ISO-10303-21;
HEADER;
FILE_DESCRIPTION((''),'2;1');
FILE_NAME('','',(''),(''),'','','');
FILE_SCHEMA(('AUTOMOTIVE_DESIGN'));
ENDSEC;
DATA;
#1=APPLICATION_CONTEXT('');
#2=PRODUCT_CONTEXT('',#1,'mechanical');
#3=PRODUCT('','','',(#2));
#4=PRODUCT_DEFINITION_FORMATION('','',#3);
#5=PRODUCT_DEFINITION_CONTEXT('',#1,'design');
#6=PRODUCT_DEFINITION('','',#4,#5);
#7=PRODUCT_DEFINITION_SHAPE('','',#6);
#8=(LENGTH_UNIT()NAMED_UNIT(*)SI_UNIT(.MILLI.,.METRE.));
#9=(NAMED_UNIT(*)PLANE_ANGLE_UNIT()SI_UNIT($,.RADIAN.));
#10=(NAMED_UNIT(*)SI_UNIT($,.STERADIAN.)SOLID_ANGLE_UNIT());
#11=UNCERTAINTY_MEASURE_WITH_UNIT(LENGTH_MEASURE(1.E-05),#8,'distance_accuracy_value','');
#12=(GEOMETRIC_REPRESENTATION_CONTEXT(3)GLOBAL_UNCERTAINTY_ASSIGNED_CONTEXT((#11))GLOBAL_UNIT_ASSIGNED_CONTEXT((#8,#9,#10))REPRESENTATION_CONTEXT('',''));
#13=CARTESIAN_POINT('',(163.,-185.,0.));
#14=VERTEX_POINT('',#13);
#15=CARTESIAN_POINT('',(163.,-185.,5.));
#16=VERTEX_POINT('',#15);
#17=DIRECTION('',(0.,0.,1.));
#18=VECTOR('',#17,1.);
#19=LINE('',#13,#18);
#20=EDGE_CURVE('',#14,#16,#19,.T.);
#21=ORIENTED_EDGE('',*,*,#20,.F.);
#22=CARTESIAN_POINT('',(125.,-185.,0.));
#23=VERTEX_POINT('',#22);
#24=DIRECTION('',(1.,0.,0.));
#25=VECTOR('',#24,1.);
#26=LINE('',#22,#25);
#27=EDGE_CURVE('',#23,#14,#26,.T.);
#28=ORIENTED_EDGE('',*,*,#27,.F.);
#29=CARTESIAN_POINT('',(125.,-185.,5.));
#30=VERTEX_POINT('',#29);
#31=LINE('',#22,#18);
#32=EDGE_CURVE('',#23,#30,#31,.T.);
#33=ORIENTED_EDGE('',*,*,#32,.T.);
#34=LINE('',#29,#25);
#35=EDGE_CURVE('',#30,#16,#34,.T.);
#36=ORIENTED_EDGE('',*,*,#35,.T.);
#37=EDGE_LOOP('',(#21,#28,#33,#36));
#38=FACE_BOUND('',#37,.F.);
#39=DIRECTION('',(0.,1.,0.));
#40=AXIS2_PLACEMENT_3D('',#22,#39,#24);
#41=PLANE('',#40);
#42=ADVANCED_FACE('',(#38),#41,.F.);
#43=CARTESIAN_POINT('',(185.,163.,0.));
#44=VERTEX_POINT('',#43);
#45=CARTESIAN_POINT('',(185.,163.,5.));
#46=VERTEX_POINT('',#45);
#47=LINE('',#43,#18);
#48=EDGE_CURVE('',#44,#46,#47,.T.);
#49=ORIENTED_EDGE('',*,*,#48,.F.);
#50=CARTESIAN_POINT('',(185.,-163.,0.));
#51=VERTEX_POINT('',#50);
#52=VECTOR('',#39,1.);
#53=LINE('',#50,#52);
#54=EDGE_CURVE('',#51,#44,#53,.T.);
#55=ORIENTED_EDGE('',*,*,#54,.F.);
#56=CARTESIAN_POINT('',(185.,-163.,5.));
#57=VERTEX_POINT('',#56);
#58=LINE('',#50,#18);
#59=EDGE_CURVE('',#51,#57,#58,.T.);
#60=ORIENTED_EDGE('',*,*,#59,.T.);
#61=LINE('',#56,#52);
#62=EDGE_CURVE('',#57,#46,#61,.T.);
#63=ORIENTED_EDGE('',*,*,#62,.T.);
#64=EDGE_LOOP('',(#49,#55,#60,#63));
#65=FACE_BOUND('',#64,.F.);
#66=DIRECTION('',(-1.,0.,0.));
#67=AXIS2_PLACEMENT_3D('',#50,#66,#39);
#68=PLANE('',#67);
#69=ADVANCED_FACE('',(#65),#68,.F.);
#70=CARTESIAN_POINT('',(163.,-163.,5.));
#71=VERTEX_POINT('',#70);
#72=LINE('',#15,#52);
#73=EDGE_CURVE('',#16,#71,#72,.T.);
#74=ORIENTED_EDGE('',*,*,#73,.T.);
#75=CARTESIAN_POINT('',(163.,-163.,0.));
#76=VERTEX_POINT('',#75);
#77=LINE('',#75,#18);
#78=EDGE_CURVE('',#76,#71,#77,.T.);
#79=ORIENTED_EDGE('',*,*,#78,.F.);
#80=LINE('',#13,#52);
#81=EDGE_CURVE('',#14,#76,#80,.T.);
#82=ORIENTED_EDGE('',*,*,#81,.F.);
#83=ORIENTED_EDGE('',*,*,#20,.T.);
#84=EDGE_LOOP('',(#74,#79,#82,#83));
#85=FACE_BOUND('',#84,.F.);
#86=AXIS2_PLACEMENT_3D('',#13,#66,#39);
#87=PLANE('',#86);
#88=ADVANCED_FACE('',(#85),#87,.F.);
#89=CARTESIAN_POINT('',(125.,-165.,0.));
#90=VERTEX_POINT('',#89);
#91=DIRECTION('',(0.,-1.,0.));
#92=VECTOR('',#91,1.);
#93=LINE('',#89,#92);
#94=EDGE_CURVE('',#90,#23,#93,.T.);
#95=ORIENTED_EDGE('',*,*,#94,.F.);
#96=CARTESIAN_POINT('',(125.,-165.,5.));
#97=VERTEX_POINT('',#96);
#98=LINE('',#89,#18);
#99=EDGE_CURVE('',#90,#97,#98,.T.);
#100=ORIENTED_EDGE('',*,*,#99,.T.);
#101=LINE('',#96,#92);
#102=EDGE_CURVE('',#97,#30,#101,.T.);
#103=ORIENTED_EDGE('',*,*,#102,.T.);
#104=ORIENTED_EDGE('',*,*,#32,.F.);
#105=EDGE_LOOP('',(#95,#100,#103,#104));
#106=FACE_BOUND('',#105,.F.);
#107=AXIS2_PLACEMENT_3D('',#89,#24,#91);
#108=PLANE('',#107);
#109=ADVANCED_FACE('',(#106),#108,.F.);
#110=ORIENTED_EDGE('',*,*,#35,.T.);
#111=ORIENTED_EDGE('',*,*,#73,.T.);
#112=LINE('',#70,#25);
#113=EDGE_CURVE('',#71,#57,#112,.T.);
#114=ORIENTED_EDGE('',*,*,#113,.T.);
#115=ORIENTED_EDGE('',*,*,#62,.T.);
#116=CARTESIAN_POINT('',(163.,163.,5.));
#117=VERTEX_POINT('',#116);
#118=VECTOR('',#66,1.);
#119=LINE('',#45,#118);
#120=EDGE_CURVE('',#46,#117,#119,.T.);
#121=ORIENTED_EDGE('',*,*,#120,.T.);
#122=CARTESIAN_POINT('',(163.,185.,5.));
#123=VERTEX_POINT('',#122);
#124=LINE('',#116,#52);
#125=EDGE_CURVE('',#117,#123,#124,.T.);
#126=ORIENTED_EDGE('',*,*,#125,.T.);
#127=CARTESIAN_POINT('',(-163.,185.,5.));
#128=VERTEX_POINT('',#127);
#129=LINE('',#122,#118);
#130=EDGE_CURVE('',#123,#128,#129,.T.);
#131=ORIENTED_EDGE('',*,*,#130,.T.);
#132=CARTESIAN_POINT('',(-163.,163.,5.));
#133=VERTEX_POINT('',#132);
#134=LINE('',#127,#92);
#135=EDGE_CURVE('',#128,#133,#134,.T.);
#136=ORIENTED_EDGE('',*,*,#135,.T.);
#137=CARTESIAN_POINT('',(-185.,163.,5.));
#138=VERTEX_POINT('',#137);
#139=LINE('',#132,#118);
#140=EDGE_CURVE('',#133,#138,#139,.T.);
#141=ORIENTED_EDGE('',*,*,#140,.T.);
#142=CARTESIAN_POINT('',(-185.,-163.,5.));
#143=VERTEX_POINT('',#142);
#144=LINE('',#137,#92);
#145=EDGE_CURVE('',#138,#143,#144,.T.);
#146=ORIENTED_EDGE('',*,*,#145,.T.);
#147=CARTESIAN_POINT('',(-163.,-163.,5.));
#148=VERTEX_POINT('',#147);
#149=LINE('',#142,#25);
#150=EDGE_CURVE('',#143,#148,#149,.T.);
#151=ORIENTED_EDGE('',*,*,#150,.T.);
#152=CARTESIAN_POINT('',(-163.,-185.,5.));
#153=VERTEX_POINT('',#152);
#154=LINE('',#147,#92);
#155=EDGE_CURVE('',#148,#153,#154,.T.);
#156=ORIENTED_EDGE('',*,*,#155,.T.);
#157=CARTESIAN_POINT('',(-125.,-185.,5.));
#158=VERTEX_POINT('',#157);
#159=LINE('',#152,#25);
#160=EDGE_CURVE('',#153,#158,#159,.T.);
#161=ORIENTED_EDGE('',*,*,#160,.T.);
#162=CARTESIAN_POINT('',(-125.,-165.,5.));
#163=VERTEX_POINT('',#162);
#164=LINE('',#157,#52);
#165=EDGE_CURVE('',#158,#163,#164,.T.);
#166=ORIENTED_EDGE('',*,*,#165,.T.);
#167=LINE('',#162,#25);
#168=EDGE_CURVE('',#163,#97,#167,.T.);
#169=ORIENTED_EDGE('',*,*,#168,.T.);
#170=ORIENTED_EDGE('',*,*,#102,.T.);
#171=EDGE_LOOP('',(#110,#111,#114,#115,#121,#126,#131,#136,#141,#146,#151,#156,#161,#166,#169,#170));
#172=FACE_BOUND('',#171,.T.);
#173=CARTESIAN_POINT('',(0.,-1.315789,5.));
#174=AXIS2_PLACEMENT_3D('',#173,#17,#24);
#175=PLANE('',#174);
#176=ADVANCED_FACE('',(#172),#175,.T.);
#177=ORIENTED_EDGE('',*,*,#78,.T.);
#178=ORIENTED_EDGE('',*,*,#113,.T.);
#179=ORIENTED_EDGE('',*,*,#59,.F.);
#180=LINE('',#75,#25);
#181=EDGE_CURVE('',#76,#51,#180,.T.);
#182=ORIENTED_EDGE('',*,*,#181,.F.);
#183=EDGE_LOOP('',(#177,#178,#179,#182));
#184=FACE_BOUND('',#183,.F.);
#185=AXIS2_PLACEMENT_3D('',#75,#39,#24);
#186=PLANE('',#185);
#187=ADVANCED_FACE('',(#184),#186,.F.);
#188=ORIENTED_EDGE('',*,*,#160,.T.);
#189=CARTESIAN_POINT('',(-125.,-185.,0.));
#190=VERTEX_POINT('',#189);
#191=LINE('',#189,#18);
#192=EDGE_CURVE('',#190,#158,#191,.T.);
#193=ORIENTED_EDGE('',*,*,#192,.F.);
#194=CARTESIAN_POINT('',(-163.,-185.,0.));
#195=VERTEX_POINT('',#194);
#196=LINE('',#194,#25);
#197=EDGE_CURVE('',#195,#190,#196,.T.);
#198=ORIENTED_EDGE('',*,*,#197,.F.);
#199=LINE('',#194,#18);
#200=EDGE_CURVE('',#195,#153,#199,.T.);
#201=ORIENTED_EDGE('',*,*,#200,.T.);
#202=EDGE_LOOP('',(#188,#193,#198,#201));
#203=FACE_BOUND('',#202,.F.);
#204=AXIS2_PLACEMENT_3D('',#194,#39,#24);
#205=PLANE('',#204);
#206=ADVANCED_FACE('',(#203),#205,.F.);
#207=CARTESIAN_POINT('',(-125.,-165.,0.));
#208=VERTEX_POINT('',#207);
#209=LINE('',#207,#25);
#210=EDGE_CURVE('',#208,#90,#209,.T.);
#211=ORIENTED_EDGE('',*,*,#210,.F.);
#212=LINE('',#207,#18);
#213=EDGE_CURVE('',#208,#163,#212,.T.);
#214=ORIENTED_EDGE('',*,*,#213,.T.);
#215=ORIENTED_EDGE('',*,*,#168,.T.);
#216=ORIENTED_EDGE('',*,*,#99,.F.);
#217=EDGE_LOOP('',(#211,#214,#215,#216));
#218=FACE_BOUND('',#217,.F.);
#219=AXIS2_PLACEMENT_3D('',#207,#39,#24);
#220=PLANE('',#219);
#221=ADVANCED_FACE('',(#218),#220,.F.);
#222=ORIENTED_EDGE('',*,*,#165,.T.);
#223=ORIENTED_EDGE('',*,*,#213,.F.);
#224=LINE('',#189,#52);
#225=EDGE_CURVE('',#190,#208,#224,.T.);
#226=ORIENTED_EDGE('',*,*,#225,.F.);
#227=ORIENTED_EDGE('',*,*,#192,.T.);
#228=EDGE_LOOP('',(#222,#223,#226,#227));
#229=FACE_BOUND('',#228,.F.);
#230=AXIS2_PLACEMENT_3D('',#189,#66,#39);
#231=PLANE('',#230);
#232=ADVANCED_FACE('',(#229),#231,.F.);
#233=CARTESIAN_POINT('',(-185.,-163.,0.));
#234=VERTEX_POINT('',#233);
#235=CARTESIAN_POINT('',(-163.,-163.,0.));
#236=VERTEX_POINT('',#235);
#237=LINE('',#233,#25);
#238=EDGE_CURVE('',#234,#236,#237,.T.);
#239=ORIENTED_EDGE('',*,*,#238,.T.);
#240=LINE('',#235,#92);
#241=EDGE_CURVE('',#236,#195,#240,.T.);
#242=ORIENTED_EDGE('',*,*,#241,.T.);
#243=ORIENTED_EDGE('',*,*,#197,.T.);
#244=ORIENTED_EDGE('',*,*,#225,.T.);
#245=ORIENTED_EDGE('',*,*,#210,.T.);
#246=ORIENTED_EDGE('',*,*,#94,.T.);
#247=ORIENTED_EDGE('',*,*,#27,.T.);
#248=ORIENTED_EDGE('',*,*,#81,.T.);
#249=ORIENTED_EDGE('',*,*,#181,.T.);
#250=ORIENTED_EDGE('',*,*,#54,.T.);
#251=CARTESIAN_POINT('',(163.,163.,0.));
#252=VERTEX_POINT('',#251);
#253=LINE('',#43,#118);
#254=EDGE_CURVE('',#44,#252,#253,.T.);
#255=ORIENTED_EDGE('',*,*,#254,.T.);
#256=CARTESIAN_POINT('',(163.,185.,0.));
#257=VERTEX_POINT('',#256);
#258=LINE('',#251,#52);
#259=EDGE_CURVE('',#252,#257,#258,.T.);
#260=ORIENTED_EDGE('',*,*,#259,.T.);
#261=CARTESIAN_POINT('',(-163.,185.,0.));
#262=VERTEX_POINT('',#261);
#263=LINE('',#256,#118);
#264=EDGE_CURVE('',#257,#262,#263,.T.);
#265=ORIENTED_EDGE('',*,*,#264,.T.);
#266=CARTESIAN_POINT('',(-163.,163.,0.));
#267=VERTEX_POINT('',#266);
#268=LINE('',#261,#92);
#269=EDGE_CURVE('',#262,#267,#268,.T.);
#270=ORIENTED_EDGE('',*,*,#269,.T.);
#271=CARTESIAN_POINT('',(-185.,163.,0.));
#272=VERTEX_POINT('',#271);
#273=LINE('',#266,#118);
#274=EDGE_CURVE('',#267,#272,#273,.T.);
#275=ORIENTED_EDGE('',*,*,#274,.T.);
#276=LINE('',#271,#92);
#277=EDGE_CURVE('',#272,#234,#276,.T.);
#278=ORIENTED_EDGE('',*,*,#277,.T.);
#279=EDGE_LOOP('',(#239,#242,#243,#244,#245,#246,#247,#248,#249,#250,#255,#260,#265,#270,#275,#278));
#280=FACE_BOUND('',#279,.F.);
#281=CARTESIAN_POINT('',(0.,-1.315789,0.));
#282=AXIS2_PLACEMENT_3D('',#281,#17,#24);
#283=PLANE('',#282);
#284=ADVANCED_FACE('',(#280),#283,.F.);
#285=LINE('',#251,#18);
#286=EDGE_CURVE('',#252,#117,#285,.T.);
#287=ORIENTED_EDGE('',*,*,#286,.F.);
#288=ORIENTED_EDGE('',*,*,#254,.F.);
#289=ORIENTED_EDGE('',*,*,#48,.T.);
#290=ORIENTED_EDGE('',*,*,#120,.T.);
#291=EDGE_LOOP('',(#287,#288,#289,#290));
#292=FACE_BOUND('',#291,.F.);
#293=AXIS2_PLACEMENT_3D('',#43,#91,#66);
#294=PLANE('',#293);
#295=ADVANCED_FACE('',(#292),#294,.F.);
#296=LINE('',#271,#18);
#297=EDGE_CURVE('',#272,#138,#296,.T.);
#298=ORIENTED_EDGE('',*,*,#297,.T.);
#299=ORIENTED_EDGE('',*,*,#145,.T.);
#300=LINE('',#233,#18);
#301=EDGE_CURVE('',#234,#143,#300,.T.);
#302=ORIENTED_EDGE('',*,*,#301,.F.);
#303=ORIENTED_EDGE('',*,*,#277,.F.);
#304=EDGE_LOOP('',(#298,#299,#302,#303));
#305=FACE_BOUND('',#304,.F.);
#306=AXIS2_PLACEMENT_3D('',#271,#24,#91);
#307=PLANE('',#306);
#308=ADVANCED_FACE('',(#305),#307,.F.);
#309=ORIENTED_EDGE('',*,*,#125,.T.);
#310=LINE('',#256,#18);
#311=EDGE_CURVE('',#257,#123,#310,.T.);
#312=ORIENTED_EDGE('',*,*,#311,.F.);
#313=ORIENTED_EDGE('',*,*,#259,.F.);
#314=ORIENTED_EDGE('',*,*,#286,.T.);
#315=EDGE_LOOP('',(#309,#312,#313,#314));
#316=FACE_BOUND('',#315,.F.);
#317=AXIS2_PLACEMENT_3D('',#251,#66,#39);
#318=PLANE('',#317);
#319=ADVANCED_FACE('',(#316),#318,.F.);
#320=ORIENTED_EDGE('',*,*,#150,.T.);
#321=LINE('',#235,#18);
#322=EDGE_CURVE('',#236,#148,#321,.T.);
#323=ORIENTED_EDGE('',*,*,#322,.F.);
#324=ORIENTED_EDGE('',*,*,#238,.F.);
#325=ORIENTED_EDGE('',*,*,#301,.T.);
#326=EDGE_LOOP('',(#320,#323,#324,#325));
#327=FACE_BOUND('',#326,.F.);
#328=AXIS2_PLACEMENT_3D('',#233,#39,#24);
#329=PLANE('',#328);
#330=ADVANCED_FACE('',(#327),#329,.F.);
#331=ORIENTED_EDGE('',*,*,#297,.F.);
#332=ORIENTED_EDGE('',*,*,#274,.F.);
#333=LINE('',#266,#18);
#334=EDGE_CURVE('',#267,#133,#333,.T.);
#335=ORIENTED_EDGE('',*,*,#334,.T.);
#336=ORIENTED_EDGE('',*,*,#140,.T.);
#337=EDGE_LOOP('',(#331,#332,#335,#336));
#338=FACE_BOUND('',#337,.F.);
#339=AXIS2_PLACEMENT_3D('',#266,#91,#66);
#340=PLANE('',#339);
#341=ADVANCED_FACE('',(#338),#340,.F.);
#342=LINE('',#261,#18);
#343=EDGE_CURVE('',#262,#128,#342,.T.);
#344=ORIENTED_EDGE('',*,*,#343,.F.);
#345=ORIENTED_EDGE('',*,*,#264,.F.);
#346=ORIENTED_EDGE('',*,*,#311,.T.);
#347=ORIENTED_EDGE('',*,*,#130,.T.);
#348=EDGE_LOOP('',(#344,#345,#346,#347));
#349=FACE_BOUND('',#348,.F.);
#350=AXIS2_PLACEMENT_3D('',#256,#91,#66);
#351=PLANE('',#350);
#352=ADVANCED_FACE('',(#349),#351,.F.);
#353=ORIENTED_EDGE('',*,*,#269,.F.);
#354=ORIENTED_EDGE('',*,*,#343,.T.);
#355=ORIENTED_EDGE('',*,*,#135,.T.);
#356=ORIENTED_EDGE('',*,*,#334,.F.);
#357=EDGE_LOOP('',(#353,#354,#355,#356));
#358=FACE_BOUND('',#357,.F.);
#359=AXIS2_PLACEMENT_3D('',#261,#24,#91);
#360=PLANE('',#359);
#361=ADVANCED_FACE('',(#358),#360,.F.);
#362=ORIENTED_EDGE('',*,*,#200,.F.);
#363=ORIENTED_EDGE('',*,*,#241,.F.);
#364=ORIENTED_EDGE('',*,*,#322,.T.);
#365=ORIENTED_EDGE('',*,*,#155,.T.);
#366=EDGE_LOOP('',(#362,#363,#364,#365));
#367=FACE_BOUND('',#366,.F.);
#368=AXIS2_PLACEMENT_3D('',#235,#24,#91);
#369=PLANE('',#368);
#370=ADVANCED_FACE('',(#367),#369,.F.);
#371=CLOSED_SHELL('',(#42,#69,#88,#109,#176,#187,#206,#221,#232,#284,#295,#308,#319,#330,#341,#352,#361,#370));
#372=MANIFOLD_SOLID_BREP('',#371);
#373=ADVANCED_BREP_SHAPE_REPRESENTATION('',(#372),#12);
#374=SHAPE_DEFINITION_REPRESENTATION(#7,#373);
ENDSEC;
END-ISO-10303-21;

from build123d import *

# Parameters (mm, degrees)
F1_DEPTH = 5


with BuildPart() as f1:
    # F0 (on Top) → F1 (new body)
    with BuildSketch(Plane.XY):
        Polygon((163, 185), (-163, 185), (-163, 163), (-185, 163), (-185, -163), (-163, -163), (-163, -185), (-125, -185), (-125, -165), (125, -165), (125, -185), (163, -185), (163, -163), (185, -163), (185, 163), (163, 163), align=None)
    extrude(amount=F1_DEPTH)


solid = f1.part
